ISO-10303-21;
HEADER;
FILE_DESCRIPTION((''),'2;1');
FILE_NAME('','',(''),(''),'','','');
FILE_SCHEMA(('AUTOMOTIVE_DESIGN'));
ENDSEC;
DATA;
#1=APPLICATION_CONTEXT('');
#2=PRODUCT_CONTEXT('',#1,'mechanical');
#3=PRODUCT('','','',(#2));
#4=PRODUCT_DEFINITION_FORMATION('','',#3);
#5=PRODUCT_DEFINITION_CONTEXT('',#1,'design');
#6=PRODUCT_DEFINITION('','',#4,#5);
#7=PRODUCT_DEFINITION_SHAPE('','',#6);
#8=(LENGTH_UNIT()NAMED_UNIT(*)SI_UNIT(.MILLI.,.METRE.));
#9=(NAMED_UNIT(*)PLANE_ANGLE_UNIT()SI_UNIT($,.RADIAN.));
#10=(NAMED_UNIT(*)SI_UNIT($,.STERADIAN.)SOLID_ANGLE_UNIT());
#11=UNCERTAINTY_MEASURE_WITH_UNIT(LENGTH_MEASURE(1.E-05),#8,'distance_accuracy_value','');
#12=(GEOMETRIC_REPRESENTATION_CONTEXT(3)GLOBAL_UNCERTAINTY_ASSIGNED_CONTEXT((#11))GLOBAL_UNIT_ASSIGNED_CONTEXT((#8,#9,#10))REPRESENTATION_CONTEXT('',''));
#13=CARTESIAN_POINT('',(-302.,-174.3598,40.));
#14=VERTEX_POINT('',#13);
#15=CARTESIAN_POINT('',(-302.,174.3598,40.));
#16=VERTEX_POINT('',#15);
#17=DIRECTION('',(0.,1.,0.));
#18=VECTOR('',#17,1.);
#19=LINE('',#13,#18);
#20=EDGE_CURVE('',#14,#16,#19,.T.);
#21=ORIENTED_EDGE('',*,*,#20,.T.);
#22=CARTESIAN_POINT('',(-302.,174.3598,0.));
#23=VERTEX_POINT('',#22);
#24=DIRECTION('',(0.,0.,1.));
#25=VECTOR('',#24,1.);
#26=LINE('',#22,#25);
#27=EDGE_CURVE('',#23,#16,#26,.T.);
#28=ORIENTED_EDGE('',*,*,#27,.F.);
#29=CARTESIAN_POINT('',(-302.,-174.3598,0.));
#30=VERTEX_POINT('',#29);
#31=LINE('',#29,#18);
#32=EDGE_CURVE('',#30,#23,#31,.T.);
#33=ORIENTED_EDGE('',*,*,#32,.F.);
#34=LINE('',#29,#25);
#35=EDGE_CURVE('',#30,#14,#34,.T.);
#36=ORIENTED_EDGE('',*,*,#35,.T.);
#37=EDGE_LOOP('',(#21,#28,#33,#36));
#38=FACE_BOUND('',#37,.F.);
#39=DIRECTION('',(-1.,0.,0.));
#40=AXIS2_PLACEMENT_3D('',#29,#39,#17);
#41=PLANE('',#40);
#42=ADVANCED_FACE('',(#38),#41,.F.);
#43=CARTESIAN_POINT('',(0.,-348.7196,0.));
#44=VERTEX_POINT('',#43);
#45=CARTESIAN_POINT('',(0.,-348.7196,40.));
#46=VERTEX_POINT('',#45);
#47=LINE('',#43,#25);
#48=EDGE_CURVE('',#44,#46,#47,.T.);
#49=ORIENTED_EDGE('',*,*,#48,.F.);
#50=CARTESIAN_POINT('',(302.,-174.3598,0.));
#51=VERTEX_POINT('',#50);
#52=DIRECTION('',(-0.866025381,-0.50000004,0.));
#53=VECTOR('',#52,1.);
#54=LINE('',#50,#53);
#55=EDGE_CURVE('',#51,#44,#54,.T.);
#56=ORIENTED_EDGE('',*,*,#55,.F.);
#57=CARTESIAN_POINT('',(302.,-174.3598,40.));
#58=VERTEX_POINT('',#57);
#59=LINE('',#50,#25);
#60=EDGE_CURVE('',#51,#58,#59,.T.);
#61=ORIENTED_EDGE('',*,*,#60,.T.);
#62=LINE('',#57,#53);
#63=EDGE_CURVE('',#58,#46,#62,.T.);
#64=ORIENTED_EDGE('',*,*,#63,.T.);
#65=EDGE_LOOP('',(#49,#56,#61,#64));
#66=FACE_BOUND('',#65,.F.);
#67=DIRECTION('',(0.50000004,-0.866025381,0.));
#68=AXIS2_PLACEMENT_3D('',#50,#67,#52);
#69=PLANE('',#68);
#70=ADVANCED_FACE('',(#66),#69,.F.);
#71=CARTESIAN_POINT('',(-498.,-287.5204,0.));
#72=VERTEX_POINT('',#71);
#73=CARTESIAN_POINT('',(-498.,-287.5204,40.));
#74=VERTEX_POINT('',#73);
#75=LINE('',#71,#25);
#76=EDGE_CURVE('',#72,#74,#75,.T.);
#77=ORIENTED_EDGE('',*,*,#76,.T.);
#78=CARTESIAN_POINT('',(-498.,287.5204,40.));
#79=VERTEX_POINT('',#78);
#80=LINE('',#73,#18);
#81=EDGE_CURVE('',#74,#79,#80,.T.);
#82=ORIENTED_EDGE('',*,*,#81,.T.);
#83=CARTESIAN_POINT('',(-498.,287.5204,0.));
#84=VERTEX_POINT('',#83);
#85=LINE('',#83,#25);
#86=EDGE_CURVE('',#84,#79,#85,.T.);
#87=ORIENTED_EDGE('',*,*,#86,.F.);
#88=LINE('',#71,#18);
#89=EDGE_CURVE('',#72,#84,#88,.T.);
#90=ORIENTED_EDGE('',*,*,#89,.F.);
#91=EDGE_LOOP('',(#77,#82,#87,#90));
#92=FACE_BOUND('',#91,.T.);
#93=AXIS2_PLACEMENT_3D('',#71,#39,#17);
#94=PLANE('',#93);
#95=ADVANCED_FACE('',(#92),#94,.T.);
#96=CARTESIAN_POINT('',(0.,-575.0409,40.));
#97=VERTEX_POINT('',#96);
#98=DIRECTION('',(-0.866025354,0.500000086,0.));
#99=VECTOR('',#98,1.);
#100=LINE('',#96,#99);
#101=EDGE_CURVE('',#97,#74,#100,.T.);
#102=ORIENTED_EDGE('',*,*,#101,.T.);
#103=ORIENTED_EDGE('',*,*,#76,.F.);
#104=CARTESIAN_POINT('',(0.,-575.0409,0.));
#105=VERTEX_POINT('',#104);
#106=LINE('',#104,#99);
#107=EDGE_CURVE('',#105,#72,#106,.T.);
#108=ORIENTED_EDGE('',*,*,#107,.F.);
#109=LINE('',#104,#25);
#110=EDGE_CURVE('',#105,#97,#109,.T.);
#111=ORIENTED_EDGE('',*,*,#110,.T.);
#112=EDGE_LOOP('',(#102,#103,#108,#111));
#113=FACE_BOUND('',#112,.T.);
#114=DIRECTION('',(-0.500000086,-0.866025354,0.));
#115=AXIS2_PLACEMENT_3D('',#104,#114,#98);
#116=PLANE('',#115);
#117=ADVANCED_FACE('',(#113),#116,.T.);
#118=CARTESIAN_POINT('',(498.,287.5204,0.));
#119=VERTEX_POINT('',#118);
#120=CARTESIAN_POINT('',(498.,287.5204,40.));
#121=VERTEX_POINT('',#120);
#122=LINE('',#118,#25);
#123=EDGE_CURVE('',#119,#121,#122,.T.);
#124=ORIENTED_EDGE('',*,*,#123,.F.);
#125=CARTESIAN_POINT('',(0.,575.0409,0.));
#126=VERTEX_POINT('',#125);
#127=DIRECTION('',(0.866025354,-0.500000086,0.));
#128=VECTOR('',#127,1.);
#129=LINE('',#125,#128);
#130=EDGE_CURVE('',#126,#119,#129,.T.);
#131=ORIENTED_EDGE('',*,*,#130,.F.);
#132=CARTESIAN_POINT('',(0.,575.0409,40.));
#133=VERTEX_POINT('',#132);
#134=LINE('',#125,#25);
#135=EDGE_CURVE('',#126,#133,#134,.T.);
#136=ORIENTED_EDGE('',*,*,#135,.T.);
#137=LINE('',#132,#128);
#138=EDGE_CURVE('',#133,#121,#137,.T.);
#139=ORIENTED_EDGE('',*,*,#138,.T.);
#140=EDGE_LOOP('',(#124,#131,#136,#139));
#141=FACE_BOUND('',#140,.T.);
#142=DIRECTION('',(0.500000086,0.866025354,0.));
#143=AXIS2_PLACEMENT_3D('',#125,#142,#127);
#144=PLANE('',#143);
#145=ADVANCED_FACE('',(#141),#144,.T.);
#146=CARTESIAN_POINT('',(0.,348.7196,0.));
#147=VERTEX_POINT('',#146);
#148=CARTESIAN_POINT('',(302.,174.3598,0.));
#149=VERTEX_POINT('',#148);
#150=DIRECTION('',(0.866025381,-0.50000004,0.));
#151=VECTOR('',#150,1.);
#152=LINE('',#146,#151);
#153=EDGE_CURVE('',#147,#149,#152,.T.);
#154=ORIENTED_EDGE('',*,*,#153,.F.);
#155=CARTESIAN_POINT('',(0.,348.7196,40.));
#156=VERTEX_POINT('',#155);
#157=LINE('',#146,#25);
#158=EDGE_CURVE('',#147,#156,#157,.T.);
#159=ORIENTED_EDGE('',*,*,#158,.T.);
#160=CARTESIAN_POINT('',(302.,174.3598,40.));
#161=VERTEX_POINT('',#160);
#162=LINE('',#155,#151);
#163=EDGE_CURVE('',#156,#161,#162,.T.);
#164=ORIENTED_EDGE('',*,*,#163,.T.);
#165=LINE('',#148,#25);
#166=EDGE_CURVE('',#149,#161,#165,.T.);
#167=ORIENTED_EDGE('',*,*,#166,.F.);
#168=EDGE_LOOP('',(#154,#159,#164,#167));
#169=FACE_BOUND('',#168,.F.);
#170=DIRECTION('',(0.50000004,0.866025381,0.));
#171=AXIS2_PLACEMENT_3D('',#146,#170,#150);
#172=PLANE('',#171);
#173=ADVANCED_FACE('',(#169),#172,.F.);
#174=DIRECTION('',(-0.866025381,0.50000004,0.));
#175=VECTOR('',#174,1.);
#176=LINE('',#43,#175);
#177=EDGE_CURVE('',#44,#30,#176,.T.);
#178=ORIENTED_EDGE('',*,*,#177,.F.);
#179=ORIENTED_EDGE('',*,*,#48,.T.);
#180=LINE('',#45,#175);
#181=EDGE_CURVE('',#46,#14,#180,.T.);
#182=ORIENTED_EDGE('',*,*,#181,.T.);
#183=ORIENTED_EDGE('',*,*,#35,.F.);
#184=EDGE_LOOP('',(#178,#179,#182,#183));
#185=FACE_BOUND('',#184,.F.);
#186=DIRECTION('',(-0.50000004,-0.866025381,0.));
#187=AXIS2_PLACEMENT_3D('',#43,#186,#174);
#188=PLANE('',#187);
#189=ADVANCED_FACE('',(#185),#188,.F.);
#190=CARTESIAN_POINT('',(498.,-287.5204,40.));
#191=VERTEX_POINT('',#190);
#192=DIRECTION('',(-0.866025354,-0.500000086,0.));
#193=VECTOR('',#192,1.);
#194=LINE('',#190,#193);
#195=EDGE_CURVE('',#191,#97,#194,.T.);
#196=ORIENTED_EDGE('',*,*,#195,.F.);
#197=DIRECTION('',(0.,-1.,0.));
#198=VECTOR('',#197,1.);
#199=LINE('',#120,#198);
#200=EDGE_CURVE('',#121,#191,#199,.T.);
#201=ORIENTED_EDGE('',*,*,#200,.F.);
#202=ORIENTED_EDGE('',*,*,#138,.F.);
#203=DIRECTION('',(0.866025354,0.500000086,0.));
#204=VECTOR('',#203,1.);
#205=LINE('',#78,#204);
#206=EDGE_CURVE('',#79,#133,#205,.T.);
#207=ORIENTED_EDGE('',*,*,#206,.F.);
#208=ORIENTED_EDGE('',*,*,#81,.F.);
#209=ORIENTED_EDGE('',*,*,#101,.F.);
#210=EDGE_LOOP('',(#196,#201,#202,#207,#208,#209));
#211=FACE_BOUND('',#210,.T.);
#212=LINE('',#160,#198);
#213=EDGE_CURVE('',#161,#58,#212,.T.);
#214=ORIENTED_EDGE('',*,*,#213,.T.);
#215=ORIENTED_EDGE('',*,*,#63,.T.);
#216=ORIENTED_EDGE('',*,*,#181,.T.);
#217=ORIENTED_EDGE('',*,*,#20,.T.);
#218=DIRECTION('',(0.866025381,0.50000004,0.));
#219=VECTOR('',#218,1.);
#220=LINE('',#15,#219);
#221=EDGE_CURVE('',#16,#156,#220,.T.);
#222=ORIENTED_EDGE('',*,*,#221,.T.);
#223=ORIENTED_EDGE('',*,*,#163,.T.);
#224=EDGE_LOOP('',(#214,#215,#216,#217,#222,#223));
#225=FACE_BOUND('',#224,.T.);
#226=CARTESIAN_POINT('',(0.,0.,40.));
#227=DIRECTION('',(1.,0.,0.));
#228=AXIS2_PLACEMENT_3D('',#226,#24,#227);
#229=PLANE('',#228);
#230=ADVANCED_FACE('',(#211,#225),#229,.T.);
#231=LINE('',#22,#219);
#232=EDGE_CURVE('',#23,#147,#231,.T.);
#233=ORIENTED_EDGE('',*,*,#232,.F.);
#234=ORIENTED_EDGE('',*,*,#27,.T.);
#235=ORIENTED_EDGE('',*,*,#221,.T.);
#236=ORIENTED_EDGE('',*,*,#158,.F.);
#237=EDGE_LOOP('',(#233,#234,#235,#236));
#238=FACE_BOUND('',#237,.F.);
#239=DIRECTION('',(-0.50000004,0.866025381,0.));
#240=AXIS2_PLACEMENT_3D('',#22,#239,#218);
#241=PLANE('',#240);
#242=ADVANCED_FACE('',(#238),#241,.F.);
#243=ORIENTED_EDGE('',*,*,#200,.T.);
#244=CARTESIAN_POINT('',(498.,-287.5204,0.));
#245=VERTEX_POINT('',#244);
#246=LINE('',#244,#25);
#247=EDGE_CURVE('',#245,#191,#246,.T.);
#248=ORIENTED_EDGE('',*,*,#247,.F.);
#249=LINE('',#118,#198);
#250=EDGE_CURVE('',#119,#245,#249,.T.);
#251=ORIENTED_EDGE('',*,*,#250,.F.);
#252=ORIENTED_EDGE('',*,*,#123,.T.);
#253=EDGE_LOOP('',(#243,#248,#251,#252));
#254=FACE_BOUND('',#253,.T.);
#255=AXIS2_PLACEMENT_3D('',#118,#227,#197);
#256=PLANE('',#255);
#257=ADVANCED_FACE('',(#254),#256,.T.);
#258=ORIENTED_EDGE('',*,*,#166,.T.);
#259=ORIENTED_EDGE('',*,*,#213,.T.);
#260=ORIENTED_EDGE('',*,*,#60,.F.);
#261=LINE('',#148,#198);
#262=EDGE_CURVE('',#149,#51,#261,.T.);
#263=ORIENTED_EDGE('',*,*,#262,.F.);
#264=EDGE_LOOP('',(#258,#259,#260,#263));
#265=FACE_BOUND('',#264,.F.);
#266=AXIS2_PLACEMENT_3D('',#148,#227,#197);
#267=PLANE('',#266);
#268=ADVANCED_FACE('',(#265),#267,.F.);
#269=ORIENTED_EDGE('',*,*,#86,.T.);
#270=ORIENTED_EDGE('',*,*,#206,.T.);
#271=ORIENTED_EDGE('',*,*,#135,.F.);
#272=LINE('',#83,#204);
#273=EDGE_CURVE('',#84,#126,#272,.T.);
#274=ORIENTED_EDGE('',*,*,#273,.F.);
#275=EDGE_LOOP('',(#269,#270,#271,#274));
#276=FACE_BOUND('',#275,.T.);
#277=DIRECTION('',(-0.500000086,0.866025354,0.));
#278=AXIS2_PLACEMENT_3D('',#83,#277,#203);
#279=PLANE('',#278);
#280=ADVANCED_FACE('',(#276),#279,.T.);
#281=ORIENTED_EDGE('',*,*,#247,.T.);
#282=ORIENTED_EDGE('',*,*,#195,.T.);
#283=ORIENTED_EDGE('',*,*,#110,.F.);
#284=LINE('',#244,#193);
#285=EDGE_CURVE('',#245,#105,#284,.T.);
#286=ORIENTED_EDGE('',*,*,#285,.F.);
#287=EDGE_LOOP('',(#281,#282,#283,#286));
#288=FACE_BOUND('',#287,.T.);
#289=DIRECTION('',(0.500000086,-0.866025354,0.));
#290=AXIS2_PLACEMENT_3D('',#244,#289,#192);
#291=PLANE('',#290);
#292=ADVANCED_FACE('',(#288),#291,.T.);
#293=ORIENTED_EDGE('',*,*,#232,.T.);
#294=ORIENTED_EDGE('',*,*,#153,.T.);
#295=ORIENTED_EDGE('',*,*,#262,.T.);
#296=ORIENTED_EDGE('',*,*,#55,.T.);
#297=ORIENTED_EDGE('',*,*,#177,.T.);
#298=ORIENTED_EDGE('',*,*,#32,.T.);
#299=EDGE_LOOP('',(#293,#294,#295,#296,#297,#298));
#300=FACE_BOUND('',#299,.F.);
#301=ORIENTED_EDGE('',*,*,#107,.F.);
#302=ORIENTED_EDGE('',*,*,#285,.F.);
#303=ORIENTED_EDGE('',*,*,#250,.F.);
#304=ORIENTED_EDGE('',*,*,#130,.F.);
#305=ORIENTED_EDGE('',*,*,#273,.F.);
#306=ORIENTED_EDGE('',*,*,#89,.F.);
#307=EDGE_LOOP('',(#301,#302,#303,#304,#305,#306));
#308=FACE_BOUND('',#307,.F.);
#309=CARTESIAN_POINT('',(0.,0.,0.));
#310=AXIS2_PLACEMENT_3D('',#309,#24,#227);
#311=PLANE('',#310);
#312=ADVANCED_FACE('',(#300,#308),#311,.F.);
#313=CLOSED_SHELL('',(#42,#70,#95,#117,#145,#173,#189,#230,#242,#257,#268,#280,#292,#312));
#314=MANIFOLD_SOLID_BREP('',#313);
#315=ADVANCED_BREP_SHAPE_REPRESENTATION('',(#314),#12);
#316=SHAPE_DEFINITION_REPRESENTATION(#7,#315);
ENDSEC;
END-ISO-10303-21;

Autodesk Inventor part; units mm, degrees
ref_plane "YZ Plane" through (0, 0, 0) normal (1, 0, 0) x (0, 1, 0)
ref_plane "XZ Plane" through (0, 0, 0) normal (0, 1, 0) x (-1, 0, 0)
ref_plane "Work Plane1" through (0, 0, 0) normal (0, 0, 1) x (1, 0, 0)
sketch "Sketch1" plane through (0, 0, 0) normal (0, 0, 1) x (1, 0, 0)
  line L0 (498, -287.5204) -> (0, -575.0409)
  line L1 (0, -575.0409) -> (-498, -287.5204)
  line L2 (-498, -287.5204) -> (-498, 287.5204)
  line L3 (-498, 287.5204) -> (0, 575.0409)
  line L4 (0, 575.0409) -> (498, 287.5204)
  line L5 (498, 287.5204) -> (498, -287.5204)
  line L6 (302, -174.3598) -> (0, -348.7196)
  line L7 (0, -348.7196) -> (-302, -174.3598)
  line L8 (-302, -174.3598) -> (-302, 174.3598)
  line L9 (-302, 174.3598) -> (0, 348.7196)
  line L10 (0, 348.7196) -> (302, 174.3598)
  line L11 (302, 174.3598) -> (302, -174.3598)
  point P0 (0, 0)
  point P1 (0, 0)
  point P2 (0, 0)
  dimension "d0" = 302
  dimension "d1" = 498
extrude "Extrusion1" add sketch "Sketch1" along normal blind 40
properties part number "Water" material "PPS Plastic"
